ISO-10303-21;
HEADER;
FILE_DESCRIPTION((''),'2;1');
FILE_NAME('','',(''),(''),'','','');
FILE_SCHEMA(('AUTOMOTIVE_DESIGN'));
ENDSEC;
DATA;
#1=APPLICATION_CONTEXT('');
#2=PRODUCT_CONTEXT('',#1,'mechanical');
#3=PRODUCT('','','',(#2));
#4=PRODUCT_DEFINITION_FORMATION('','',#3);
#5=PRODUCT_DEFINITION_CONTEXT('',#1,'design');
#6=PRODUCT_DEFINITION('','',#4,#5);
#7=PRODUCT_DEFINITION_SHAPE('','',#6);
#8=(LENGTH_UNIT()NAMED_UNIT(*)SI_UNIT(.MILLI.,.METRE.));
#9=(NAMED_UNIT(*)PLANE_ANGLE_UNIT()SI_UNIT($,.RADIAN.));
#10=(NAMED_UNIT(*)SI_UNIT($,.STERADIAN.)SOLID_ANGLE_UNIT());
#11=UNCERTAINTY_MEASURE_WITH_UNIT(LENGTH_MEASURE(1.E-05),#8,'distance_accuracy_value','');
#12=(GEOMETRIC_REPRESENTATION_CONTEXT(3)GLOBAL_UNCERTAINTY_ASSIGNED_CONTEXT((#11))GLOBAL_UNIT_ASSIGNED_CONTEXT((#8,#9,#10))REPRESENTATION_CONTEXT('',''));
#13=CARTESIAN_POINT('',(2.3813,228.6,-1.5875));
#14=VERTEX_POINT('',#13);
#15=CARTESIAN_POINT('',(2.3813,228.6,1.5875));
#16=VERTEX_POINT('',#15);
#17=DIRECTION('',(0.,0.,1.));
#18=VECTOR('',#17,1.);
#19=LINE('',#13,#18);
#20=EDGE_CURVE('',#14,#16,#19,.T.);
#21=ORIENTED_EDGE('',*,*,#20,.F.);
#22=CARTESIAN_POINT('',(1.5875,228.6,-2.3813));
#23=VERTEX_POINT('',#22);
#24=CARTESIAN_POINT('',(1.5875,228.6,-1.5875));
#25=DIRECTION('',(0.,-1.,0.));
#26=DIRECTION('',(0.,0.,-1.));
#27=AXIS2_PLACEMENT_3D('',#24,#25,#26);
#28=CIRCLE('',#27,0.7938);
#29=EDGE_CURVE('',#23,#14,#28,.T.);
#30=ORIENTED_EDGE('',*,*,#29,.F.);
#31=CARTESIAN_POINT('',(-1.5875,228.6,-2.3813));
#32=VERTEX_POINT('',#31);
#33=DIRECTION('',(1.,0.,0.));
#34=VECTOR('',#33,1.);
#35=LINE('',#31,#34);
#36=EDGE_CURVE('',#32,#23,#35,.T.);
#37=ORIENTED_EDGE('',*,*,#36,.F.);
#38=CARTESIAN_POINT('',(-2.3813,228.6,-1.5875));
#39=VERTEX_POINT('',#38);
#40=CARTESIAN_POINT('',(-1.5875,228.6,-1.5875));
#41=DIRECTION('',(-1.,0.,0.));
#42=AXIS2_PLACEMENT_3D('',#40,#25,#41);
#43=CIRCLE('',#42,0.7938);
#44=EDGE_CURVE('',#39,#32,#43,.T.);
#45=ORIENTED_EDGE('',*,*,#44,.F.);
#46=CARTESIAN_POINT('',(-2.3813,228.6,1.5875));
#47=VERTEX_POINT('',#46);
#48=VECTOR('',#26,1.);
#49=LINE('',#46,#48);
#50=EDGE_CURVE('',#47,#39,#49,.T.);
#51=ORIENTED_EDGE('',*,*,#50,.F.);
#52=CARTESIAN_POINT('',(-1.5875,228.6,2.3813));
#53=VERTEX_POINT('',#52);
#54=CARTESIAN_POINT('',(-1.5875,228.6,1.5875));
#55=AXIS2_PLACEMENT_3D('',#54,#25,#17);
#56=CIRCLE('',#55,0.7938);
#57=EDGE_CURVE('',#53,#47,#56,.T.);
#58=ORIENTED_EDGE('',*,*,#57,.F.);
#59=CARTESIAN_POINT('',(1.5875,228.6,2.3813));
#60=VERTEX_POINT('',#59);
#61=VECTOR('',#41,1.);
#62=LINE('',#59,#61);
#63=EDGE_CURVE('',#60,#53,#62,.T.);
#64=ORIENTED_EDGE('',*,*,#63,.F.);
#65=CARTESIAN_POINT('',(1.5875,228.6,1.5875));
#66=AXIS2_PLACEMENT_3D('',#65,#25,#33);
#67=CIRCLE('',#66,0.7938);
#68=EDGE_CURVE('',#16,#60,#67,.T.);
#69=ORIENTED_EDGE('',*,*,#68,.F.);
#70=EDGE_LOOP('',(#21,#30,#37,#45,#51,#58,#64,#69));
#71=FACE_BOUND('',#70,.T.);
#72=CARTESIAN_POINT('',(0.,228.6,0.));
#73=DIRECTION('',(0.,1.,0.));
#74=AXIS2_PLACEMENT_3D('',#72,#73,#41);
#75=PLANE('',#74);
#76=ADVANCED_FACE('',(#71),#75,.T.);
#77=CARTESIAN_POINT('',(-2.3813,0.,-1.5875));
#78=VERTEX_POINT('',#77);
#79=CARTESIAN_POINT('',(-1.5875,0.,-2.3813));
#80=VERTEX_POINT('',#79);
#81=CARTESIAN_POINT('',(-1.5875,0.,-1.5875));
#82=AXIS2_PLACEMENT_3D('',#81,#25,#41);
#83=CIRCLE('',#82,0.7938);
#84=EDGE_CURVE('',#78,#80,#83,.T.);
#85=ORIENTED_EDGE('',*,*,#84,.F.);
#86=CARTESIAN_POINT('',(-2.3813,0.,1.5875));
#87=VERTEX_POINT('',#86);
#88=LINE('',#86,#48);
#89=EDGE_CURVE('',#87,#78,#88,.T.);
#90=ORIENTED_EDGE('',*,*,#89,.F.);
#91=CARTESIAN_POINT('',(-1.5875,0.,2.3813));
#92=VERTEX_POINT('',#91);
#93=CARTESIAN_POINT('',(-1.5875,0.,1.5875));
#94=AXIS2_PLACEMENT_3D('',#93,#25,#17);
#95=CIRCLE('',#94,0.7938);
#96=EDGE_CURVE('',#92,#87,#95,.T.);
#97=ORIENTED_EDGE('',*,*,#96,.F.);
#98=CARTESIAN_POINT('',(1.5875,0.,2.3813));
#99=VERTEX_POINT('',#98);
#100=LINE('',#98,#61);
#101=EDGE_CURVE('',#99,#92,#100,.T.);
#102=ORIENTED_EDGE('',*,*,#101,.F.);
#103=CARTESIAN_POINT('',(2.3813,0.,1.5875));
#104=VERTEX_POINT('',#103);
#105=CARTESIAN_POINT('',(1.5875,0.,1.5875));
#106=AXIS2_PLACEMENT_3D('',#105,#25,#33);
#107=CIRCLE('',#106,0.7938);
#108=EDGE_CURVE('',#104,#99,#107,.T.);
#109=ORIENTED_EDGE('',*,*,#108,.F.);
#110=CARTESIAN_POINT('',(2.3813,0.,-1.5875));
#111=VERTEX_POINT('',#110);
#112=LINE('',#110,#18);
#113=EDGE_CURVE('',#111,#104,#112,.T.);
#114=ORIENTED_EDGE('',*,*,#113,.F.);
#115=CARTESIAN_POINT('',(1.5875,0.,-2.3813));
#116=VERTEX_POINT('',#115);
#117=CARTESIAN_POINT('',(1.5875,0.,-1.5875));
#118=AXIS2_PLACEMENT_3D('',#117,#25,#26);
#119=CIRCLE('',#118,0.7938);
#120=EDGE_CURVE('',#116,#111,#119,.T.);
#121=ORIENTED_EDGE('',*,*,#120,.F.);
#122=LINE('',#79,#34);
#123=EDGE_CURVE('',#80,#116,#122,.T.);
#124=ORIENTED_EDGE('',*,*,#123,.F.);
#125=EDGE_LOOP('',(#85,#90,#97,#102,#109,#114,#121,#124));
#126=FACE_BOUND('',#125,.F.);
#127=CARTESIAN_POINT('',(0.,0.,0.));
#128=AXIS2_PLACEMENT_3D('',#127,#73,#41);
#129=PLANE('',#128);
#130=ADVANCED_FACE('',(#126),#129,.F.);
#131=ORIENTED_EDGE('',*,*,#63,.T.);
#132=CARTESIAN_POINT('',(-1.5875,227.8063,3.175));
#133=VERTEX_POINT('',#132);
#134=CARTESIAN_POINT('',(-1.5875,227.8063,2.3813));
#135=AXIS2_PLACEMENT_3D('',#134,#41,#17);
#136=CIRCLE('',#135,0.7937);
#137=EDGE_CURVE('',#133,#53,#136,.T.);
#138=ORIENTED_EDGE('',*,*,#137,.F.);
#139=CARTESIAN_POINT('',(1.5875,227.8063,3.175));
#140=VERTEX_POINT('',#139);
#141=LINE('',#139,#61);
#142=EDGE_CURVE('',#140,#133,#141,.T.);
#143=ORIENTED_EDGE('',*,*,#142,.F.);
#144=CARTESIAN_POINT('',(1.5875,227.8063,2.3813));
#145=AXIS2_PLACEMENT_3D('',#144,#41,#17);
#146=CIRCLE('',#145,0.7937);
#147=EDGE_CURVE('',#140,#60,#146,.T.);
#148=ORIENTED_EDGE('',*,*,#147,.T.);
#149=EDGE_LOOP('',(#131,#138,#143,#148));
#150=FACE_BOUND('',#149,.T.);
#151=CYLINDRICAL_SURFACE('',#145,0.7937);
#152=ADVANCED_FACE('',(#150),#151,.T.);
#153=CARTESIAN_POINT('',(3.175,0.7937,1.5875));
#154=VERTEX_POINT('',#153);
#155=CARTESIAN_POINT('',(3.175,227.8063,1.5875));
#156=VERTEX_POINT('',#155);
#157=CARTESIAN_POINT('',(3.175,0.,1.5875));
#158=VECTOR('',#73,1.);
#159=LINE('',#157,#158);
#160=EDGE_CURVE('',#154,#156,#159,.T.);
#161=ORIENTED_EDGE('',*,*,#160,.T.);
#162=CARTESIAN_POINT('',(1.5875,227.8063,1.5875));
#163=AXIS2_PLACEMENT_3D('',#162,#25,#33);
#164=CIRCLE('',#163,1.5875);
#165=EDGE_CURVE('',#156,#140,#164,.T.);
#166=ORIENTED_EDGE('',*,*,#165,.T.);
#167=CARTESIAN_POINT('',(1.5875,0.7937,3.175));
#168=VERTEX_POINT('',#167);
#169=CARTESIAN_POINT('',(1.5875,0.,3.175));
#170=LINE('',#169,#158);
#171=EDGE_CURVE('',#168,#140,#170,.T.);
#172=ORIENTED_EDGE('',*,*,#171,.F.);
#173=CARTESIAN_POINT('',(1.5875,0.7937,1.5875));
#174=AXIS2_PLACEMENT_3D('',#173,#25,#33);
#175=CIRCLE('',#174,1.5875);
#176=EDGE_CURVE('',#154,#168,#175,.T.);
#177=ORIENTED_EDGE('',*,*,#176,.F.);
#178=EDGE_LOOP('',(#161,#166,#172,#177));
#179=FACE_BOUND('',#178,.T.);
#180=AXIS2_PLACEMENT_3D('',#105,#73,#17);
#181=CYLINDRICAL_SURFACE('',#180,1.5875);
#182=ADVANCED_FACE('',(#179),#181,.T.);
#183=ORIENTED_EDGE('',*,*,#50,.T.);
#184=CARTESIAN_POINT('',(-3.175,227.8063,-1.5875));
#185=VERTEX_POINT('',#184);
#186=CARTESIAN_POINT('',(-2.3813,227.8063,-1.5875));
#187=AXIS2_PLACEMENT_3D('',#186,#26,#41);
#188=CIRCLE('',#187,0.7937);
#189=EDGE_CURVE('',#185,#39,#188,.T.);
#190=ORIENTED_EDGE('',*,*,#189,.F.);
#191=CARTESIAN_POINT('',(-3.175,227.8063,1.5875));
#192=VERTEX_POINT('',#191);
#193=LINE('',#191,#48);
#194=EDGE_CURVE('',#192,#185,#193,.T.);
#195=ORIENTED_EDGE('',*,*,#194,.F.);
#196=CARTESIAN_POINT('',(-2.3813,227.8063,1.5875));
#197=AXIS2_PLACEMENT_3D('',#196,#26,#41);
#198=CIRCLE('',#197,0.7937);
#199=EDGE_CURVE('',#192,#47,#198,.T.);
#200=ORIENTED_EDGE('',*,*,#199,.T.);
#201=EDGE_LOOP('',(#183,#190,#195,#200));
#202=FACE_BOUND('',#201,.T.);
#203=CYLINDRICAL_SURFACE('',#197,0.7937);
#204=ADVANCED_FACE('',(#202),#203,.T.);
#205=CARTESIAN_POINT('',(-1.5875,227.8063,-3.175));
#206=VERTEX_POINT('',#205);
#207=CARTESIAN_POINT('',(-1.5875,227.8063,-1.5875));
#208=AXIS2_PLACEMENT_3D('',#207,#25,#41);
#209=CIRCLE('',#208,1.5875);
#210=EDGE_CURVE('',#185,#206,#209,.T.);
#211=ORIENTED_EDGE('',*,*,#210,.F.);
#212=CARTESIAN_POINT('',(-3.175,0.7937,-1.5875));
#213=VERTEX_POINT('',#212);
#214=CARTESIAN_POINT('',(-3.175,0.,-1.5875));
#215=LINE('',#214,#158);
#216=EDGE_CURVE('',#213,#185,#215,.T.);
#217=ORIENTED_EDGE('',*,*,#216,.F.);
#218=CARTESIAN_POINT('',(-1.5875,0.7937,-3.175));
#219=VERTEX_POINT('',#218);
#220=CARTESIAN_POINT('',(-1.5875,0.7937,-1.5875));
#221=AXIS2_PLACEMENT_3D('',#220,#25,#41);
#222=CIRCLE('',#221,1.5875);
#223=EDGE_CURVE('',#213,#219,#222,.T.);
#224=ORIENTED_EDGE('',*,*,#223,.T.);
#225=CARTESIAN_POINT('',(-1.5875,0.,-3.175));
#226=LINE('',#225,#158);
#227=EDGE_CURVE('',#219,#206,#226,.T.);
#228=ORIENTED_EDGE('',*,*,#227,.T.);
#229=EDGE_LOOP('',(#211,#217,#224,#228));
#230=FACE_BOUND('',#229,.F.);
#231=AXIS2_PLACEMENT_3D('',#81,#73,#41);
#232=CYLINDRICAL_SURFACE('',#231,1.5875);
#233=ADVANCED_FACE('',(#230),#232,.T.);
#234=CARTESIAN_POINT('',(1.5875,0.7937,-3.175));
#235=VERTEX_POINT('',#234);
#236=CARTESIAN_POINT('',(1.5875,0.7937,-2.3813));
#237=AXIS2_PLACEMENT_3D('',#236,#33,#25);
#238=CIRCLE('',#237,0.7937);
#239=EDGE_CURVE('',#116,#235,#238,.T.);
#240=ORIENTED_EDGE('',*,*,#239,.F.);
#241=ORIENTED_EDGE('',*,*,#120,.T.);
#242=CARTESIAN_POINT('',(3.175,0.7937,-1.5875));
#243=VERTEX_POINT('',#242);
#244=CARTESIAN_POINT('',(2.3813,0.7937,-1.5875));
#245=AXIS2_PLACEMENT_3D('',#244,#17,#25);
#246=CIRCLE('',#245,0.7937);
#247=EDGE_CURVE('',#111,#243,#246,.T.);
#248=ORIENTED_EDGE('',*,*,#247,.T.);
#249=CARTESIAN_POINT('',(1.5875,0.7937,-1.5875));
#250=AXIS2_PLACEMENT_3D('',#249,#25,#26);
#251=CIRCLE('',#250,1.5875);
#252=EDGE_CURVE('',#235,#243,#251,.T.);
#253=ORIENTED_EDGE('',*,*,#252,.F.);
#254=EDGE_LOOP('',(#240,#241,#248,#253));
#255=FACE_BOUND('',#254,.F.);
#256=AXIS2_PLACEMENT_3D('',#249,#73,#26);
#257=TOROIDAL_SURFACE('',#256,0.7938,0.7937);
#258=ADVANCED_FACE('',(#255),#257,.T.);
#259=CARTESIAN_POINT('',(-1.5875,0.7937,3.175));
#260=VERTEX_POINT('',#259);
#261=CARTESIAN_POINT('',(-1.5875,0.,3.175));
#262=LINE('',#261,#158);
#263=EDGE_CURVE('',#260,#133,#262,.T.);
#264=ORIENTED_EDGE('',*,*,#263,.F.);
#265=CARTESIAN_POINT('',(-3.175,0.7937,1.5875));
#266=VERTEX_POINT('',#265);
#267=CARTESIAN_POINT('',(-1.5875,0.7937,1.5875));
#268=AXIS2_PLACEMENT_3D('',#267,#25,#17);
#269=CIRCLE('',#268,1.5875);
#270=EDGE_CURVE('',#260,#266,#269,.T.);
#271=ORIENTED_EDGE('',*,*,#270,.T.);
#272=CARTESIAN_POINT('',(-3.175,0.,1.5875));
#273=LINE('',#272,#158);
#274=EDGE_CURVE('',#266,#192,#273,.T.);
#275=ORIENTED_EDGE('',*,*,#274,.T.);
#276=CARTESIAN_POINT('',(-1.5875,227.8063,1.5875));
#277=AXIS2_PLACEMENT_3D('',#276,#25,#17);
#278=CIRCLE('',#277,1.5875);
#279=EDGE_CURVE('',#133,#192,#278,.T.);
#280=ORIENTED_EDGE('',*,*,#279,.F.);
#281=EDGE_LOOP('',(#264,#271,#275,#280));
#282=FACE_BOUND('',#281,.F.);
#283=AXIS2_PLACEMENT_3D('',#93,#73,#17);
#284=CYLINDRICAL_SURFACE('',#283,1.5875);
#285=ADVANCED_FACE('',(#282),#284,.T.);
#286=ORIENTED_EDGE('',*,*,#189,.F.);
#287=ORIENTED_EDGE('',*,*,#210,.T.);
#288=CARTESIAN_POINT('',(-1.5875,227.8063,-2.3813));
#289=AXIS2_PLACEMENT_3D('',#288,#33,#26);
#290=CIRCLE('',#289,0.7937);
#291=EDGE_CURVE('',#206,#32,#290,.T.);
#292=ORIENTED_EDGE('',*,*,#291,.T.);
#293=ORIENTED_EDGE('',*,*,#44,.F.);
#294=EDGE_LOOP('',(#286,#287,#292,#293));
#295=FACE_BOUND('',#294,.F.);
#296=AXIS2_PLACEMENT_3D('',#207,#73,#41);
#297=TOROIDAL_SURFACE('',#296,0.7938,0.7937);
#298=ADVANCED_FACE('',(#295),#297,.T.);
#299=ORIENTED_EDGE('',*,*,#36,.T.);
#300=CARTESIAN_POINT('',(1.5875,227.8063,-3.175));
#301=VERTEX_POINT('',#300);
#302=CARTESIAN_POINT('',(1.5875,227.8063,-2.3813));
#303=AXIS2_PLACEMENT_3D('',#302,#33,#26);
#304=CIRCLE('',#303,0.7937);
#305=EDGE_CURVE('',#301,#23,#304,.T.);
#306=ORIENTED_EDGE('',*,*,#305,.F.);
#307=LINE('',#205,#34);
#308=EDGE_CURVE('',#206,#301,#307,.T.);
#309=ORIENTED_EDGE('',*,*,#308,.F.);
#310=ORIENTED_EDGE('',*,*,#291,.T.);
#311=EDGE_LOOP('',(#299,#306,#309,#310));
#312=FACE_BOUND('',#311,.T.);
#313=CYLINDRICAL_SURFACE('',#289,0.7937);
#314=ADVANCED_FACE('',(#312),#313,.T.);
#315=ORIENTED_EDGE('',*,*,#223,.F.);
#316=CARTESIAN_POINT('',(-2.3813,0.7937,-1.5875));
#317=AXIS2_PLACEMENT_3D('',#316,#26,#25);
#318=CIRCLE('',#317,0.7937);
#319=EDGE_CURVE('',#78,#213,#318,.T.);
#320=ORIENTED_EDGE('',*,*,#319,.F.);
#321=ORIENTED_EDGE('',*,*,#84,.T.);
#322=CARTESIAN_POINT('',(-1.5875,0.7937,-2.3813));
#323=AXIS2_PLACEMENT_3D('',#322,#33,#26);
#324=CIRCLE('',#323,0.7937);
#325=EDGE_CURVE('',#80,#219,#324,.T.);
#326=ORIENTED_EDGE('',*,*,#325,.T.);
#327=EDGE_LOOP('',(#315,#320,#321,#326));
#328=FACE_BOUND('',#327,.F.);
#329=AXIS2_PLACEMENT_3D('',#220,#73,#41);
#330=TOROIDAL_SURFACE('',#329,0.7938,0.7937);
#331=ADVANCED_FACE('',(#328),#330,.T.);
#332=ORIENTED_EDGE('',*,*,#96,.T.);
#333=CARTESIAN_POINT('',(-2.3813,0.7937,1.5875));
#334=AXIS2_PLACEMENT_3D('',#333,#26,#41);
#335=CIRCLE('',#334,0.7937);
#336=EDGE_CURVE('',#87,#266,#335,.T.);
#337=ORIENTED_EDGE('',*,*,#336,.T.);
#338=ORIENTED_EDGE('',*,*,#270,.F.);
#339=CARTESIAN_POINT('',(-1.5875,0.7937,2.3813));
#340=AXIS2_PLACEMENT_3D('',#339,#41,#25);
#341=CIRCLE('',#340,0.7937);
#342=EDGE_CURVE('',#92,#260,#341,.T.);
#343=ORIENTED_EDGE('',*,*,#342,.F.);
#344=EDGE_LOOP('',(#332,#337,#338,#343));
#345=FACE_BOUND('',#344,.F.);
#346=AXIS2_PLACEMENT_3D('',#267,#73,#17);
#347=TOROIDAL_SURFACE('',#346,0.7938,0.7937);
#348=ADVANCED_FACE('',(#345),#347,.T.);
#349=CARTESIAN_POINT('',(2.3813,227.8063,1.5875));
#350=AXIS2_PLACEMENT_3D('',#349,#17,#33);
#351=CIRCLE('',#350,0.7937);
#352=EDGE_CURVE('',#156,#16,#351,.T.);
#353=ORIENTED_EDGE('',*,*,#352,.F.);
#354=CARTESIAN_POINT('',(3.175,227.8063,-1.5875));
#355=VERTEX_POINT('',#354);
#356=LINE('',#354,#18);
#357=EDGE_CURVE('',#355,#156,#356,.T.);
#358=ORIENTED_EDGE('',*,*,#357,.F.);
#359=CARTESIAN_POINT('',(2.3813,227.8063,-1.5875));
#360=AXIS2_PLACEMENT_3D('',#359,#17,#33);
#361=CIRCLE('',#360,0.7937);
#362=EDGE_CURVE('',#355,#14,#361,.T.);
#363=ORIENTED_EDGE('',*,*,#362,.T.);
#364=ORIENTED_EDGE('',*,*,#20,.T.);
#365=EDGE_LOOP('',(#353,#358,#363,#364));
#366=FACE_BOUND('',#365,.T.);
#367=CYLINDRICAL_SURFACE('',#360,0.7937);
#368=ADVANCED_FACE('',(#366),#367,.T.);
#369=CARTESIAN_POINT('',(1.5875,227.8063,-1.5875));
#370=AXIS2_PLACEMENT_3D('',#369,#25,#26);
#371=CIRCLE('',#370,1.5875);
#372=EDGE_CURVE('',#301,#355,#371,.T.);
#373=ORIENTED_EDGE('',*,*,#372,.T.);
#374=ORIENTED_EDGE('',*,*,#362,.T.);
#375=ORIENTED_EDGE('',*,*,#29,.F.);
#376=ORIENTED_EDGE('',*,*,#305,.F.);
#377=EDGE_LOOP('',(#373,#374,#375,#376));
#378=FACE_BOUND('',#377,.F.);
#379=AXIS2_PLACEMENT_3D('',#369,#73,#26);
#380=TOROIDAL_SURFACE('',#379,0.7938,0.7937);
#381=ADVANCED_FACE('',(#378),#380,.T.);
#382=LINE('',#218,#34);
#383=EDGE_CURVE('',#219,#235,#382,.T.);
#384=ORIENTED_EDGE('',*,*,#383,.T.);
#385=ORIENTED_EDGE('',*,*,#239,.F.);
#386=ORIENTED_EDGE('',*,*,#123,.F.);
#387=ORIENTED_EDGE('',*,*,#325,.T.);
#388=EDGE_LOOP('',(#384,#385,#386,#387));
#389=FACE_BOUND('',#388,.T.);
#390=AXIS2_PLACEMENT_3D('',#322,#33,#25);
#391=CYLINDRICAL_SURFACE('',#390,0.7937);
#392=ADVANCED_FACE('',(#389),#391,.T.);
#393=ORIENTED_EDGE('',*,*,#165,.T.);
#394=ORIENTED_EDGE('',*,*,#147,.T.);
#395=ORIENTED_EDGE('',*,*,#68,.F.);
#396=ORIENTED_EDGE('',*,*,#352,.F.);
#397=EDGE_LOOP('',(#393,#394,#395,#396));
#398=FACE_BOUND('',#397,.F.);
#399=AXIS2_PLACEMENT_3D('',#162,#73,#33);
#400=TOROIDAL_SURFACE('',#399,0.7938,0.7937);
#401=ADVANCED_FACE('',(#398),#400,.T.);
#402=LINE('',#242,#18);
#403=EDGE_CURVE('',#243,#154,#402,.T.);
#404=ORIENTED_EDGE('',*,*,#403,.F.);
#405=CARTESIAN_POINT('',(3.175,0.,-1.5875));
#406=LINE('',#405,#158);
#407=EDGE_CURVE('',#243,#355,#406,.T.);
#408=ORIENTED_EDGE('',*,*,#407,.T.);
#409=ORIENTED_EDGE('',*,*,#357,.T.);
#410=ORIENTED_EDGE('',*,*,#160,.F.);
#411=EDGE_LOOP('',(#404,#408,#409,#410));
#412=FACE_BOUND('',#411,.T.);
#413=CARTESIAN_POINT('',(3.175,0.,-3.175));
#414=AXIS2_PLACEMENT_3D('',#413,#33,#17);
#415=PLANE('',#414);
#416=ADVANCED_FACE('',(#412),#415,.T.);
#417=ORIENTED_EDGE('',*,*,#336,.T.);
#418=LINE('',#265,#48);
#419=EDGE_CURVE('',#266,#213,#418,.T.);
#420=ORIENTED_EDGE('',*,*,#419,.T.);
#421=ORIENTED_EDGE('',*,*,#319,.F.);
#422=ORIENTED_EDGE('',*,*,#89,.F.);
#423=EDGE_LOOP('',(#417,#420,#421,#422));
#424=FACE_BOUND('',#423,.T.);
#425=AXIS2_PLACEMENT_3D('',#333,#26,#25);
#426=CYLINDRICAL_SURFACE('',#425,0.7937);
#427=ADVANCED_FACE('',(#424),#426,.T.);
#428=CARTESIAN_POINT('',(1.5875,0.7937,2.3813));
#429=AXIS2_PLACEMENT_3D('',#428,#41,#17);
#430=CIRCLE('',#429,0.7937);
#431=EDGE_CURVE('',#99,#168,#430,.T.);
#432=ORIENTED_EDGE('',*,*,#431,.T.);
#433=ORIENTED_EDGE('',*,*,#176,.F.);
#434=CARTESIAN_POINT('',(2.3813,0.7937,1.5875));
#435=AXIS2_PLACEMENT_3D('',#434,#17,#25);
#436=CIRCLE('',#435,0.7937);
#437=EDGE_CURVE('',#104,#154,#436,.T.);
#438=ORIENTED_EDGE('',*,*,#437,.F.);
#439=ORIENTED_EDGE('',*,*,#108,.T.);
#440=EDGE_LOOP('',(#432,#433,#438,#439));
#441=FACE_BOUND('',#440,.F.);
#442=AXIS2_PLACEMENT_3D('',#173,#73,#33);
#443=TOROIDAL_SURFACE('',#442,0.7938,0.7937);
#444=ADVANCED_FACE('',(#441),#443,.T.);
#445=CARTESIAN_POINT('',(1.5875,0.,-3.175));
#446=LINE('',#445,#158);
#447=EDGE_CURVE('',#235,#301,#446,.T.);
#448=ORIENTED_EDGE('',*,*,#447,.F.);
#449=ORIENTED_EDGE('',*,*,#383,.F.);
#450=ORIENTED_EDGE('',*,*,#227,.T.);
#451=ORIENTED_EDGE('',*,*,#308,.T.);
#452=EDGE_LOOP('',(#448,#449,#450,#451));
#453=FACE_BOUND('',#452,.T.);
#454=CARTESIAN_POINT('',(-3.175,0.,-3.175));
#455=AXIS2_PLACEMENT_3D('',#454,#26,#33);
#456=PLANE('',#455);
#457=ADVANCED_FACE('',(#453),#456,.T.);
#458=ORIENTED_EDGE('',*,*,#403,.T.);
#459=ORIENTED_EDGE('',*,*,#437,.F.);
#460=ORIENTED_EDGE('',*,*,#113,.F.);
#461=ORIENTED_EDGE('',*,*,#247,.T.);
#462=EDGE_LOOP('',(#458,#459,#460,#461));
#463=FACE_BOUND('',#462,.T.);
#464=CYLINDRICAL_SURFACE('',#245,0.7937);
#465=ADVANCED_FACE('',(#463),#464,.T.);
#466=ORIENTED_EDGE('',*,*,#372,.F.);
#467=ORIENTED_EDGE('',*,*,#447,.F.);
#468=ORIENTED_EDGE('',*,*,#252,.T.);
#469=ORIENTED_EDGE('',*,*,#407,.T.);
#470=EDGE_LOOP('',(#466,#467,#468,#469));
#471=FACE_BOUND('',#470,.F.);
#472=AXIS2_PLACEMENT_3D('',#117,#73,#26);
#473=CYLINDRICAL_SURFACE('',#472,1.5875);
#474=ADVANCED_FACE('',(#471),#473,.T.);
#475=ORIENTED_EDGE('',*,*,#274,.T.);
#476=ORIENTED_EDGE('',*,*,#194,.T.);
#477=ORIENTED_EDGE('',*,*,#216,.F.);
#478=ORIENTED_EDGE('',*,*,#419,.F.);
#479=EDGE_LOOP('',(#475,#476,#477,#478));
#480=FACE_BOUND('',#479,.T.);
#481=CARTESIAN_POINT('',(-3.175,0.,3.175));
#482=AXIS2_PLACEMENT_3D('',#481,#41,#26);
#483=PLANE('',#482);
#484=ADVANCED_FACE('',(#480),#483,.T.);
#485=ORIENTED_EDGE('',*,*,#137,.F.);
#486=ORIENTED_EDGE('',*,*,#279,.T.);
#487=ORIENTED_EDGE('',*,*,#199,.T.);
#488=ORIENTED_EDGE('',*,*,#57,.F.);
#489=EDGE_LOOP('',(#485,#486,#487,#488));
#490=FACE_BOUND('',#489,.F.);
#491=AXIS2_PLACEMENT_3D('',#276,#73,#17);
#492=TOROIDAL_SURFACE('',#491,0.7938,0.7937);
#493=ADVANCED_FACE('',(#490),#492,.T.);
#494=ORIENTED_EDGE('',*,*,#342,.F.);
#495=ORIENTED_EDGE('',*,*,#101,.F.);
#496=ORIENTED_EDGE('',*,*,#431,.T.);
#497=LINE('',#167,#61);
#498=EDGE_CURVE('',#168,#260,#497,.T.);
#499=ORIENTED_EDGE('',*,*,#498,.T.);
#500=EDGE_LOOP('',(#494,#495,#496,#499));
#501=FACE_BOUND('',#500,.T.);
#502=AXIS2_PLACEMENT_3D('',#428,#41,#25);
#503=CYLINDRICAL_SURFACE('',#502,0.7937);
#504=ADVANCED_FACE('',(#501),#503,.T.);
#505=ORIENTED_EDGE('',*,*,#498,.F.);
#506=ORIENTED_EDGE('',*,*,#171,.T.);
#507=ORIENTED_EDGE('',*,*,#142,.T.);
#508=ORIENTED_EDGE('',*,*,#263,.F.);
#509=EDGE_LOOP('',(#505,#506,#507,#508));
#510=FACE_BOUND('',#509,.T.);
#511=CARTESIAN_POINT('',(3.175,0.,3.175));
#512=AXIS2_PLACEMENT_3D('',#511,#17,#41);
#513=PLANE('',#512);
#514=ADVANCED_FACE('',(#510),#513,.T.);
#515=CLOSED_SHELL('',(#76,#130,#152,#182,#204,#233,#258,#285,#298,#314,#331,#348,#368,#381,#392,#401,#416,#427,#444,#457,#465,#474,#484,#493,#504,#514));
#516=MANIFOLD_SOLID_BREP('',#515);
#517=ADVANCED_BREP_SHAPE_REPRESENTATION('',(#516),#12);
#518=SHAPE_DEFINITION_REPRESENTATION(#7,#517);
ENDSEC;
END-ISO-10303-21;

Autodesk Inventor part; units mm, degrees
ref_plane "YZ Plane" through (0, 0, 0) normal (1, 0, 0) x (0, 1, 0)
ref_plane "XZ Plane" through (0, 0, 0) normal (0, 1, 0) x (-1, 0, 0)
ref_plane "XY Plane" through (0, 0, 0) normal (0, 0, 1) x (1, 0, 0)
sketch "Sketch1" plane through (0, 0, 0) normal (0, 1, 0) x (-1, 0, 0)
  line L0 (-3.175, 3.175) -> (3.175, 3.175)
  line L1 (3.175, 3.175) -> (3.175, -3.175)
  line L2 (3.175, -3.175) -> (-3.175, -3.175)
  line L3 (-3.175, -3.175) -> (-3.175, 3.175)
  line L4 (-3.175, 3.175) -> (3.175, -3.175) construction
  line L5 (3.175, 3.175) -> (-3.175, -3.175) construction
  point P0 (0, 0)
  dimension "d0" = 6.35
  dimension "d1" = 6.35
extrude "Extrusion1" add sketch "Sketch1" along normal blind 228.6
fillet "Fillet1" radius 1.5875 4 edges at (3.175, 114.3, -3.175) (3.175, 114.3, 3.175) (-3.175, 114.3, 3.175) (-3.175, 114.3, -3.175)
fillet "Fillet2" radius 0.7937 16 edges at (3.175, 0, 0) (2.71, 0, -2.71) (0, 0, -3.175) (-2.71, 0, -2.71) (-3.175, 0, 0) (-2.71, 0, 2.71) (0, 0, 3.175) (2.71, 0, 2.71) (0, 228.6, 3.175) (-2.71, 228.6, 2.71) (-3.175, 228.6, 0) (-2.71, 228.6, -2.71) (0, 228.6, -3.175) (2.71, 228.6, -2.71) (3.175, 228.6, 0) (2.71, 228.6, 2.71)
properties part number "9 inch hs shaft" material "Stainless Steel"
